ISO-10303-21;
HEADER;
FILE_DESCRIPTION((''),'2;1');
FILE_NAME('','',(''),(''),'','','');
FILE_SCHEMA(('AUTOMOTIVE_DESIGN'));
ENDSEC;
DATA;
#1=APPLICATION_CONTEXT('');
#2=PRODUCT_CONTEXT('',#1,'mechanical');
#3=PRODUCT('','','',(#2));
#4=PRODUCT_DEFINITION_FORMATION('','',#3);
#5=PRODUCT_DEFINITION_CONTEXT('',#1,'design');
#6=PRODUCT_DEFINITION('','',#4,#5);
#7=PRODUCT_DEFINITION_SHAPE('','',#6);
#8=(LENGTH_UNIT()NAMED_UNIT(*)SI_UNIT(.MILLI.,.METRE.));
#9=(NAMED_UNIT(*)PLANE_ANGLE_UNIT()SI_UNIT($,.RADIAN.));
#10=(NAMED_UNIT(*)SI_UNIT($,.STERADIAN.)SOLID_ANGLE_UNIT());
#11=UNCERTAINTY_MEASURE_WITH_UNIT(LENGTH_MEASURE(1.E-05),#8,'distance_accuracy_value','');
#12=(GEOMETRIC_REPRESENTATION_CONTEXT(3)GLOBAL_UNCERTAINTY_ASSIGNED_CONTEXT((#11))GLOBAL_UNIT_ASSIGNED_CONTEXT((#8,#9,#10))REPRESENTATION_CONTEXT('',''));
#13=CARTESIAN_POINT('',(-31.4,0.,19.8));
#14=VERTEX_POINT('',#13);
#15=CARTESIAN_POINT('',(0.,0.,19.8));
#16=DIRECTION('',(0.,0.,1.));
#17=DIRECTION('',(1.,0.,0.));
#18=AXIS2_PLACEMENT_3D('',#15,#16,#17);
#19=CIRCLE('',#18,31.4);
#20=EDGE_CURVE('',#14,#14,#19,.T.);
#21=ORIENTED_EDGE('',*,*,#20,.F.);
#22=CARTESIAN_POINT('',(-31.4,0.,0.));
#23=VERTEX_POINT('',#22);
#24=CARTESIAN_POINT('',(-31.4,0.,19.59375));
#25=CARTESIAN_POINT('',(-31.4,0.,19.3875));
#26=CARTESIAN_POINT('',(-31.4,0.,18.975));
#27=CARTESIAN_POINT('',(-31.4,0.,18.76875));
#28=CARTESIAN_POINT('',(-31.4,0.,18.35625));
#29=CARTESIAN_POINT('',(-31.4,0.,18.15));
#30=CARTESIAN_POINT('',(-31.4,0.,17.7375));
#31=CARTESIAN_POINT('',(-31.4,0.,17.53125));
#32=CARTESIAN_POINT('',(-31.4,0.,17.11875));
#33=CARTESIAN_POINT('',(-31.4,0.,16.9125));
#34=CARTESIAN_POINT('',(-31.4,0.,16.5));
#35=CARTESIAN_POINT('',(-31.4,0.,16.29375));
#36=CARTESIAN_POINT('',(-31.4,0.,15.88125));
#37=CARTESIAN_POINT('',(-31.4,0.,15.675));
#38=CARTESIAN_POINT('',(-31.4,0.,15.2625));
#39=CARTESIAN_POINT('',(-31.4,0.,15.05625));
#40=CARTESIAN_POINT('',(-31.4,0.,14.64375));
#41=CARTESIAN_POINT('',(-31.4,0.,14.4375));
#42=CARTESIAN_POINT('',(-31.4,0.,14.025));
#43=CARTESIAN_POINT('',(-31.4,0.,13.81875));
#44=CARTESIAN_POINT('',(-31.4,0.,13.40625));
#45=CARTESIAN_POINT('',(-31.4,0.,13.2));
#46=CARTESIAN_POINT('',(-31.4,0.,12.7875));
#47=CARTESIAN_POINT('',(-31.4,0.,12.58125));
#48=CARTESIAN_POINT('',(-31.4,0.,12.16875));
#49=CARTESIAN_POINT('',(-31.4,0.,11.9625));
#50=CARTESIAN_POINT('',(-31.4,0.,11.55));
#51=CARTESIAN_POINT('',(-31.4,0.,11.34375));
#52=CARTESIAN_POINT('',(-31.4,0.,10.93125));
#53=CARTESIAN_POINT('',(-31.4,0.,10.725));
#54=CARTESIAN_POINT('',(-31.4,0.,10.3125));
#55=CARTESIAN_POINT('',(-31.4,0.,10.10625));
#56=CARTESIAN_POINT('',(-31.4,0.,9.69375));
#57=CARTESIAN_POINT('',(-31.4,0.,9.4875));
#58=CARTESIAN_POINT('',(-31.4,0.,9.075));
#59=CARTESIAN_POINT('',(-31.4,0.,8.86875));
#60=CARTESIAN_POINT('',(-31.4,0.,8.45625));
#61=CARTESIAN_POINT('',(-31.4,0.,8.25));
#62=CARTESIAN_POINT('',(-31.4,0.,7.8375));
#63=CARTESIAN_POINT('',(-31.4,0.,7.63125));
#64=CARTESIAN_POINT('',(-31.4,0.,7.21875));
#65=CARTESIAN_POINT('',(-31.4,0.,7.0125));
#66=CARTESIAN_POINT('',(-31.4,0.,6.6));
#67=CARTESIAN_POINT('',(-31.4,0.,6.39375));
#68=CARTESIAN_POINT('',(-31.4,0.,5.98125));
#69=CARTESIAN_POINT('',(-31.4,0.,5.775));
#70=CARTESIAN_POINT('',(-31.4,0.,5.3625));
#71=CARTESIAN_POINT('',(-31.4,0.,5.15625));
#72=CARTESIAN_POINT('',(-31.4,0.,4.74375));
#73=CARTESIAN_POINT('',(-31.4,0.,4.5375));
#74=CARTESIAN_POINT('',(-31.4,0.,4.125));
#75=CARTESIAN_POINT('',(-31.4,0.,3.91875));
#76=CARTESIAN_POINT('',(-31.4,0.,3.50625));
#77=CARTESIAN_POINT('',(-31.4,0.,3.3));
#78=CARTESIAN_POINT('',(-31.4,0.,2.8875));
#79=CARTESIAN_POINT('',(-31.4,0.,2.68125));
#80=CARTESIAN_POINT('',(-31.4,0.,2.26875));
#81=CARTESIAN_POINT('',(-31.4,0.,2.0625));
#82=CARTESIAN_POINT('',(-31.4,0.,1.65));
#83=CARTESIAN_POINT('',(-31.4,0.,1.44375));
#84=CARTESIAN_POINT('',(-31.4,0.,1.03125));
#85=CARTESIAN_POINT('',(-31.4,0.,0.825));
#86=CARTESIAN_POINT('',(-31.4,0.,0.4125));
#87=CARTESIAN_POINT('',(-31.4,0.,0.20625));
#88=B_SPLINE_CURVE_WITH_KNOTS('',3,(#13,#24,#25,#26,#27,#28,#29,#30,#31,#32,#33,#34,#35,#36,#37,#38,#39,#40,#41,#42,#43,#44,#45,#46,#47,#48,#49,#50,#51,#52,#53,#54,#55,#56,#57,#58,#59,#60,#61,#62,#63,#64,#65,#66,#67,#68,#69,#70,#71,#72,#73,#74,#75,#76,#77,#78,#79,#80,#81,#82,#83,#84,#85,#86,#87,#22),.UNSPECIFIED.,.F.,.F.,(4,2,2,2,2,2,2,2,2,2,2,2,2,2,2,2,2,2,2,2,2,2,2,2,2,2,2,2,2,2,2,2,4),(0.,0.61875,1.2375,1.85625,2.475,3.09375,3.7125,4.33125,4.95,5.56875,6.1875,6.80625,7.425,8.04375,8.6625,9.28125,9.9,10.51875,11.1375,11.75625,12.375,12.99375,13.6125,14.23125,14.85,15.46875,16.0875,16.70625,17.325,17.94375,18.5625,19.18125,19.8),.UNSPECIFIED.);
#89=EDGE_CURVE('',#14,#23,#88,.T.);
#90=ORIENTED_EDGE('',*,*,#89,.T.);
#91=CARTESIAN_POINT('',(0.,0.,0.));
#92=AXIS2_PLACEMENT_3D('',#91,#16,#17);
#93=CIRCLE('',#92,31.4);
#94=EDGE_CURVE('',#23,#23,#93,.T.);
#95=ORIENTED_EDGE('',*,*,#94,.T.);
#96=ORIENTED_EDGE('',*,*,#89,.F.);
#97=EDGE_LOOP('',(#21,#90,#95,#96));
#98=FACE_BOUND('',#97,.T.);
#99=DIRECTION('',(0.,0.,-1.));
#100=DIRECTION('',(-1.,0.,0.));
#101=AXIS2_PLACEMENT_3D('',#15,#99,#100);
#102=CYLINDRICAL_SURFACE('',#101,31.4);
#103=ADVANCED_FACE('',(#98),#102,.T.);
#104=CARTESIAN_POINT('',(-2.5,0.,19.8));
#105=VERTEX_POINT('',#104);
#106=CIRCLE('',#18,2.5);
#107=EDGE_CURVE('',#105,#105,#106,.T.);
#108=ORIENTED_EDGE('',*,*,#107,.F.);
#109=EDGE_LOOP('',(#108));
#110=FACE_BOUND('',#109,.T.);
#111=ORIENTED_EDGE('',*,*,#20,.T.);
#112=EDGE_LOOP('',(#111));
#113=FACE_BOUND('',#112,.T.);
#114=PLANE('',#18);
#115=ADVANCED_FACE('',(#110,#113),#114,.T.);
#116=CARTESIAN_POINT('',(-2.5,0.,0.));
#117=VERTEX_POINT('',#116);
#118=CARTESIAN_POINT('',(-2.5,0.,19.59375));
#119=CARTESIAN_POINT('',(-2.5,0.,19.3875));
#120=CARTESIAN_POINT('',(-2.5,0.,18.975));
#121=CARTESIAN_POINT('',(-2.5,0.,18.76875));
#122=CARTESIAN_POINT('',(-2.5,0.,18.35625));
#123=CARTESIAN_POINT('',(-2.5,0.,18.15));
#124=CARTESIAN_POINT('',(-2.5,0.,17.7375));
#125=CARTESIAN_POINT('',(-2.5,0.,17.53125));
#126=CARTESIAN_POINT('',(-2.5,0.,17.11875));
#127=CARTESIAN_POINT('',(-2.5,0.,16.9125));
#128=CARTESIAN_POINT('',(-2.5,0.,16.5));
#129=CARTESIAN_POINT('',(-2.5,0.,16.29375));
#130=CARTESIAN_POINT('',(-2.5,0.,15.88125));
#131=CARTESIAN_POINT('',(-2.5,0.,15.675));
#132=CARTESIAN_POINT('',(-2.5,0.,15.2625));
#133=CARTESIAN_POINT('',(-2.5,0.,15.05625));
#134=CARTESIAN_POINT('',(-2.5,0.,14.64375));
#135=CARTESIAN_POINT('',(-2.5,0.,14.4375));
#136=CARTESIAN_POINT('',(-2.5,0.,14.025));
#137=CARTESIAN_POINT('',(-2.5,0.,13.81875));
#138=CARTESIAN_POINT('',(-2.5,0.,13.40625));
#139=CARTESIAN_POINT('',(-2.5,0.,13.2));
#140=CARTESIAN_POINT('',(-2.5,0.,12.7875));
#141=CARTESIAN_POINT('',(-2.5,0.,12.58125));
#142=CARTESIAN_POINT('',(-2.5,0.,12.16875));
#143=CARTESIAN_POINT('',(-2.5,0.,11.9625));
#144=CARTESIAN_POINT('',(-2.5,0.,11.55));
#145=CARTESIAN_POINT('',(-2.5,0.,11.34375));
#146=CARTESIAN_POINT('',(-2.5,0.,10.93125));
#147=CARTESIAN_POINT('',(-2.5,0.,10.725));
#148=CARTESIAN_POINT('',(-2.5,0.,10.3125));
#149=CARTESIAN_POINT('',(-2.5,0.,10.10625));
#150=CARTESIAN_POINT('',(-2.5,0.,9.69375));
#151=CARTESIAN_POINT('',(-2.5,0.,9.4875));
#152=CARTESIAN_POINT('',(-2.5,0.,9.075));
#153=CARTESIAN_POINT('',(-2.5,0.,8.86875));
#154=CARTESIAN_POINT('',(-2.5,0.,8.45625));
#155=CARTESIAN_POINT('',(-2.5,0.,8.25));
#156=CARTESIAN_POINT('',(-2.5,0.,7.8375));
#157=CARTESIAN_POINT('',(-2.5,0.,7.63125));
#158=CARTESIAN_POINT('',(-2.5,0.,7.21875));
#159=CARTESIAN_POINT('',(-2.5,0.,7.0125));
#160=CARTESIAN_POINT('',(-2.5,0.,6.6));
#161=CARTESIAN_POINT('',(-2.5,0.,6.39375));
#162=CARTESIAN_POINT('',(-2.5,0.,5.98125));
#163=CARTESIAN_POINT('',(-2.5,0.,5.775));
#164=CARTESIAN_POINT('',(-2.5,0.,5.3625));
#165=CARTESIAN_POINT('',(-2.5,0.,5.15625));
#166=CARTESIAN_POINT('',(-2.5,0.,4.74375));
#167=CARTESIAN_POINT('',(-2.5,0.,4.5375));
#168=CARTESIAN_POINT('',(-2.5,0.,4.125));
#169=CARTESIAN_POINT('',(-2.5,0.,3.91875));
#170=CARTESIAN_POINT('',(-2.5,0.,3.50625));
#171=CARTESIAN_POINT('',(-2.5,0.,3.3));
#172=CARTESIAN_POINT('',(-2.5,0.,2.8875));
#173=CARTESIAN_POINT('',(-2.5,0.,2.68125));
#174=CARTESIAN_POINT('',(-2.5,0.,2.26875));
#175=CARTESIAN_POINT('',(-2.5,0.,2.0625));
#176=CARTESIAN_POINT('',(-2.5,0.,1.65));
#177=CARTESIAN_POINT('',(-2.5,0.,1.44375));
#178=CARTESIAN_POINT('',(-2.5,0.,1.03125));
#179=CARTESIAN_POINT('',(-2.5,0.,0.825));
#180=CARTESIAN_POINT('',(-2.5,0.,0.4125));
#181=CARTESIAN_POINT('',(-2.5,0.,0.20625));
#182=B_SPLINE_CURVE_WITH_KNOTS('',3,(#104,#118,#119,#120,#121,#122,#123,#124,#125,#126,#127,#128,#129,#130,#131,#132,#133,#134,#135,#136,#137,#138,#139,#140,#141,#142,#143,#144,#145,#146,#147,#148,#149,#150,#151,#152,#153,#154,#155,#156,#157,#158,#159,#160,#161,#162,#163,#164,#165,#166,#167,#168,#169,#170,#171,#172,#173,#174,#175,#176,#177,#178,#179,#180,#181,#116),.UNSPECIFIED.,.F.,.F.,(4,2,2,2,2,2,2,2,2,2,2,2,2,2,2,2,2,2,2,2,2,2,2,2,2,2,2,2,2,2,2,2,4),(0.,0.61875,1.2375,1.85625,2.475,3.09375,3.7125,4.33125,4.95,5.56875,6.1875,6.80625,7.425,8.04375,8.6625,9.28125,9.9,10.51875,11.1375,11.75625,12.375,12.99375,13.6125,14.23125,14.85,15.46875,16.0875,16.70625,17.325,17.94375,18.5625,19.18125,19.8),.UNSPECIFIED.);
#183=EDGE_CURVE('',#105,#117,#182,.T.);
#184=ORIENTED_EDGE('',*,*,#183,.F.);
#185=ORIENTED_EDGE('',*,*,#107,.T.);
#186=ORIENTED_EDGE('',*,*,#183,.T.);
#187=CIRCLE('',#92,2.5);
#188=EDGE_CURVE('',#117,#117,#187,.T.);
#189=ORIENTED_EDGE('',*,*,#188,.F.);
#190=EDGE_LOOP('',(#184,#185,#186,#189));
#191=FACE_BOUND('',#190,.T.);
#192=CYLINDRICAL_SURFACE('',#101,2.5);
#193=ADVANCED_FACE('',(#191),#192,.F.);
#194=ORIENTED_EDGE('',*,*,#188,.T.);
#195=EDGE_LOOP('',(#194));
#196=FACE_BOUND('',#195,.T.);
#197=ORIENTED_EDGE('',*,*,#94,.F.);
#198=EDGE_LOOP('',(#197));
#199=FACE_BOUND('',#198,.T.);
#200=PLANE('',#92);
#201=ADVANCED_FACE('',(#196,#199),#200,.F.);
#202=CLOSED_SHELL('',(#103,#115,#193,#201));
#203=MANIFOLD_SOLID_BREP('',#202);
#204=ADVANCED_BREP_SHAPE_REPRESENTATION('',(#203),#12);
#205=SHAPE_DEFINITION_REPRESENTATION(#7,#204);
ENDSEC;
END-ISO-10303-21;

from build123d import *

# Parameters (mm, degrees)
CROQUIS1_R              = 31.4
CROQUIS1_R_2            = 2.5
SALIENTE_EXTRUIR1_DEPTH = 19.8


with BuildPart() as part:
    # Croquis1 → Saliente-Extruir1 (new body)
    with BuildSketch(Plane.XY):
        with Locations(Location((0, 0, 0), (0, 0, 180))):
            Circle(CROQUIS1_R)
        with Locations(Location((0, 0, 0), (0, 0, 180))):
            Circle(CROQUIS1_R_2, mode=Mode.SUBTRACT)
    extrude(amount=SALIENTE_EXTRUIR1_DEPTH)


solid = part.part
